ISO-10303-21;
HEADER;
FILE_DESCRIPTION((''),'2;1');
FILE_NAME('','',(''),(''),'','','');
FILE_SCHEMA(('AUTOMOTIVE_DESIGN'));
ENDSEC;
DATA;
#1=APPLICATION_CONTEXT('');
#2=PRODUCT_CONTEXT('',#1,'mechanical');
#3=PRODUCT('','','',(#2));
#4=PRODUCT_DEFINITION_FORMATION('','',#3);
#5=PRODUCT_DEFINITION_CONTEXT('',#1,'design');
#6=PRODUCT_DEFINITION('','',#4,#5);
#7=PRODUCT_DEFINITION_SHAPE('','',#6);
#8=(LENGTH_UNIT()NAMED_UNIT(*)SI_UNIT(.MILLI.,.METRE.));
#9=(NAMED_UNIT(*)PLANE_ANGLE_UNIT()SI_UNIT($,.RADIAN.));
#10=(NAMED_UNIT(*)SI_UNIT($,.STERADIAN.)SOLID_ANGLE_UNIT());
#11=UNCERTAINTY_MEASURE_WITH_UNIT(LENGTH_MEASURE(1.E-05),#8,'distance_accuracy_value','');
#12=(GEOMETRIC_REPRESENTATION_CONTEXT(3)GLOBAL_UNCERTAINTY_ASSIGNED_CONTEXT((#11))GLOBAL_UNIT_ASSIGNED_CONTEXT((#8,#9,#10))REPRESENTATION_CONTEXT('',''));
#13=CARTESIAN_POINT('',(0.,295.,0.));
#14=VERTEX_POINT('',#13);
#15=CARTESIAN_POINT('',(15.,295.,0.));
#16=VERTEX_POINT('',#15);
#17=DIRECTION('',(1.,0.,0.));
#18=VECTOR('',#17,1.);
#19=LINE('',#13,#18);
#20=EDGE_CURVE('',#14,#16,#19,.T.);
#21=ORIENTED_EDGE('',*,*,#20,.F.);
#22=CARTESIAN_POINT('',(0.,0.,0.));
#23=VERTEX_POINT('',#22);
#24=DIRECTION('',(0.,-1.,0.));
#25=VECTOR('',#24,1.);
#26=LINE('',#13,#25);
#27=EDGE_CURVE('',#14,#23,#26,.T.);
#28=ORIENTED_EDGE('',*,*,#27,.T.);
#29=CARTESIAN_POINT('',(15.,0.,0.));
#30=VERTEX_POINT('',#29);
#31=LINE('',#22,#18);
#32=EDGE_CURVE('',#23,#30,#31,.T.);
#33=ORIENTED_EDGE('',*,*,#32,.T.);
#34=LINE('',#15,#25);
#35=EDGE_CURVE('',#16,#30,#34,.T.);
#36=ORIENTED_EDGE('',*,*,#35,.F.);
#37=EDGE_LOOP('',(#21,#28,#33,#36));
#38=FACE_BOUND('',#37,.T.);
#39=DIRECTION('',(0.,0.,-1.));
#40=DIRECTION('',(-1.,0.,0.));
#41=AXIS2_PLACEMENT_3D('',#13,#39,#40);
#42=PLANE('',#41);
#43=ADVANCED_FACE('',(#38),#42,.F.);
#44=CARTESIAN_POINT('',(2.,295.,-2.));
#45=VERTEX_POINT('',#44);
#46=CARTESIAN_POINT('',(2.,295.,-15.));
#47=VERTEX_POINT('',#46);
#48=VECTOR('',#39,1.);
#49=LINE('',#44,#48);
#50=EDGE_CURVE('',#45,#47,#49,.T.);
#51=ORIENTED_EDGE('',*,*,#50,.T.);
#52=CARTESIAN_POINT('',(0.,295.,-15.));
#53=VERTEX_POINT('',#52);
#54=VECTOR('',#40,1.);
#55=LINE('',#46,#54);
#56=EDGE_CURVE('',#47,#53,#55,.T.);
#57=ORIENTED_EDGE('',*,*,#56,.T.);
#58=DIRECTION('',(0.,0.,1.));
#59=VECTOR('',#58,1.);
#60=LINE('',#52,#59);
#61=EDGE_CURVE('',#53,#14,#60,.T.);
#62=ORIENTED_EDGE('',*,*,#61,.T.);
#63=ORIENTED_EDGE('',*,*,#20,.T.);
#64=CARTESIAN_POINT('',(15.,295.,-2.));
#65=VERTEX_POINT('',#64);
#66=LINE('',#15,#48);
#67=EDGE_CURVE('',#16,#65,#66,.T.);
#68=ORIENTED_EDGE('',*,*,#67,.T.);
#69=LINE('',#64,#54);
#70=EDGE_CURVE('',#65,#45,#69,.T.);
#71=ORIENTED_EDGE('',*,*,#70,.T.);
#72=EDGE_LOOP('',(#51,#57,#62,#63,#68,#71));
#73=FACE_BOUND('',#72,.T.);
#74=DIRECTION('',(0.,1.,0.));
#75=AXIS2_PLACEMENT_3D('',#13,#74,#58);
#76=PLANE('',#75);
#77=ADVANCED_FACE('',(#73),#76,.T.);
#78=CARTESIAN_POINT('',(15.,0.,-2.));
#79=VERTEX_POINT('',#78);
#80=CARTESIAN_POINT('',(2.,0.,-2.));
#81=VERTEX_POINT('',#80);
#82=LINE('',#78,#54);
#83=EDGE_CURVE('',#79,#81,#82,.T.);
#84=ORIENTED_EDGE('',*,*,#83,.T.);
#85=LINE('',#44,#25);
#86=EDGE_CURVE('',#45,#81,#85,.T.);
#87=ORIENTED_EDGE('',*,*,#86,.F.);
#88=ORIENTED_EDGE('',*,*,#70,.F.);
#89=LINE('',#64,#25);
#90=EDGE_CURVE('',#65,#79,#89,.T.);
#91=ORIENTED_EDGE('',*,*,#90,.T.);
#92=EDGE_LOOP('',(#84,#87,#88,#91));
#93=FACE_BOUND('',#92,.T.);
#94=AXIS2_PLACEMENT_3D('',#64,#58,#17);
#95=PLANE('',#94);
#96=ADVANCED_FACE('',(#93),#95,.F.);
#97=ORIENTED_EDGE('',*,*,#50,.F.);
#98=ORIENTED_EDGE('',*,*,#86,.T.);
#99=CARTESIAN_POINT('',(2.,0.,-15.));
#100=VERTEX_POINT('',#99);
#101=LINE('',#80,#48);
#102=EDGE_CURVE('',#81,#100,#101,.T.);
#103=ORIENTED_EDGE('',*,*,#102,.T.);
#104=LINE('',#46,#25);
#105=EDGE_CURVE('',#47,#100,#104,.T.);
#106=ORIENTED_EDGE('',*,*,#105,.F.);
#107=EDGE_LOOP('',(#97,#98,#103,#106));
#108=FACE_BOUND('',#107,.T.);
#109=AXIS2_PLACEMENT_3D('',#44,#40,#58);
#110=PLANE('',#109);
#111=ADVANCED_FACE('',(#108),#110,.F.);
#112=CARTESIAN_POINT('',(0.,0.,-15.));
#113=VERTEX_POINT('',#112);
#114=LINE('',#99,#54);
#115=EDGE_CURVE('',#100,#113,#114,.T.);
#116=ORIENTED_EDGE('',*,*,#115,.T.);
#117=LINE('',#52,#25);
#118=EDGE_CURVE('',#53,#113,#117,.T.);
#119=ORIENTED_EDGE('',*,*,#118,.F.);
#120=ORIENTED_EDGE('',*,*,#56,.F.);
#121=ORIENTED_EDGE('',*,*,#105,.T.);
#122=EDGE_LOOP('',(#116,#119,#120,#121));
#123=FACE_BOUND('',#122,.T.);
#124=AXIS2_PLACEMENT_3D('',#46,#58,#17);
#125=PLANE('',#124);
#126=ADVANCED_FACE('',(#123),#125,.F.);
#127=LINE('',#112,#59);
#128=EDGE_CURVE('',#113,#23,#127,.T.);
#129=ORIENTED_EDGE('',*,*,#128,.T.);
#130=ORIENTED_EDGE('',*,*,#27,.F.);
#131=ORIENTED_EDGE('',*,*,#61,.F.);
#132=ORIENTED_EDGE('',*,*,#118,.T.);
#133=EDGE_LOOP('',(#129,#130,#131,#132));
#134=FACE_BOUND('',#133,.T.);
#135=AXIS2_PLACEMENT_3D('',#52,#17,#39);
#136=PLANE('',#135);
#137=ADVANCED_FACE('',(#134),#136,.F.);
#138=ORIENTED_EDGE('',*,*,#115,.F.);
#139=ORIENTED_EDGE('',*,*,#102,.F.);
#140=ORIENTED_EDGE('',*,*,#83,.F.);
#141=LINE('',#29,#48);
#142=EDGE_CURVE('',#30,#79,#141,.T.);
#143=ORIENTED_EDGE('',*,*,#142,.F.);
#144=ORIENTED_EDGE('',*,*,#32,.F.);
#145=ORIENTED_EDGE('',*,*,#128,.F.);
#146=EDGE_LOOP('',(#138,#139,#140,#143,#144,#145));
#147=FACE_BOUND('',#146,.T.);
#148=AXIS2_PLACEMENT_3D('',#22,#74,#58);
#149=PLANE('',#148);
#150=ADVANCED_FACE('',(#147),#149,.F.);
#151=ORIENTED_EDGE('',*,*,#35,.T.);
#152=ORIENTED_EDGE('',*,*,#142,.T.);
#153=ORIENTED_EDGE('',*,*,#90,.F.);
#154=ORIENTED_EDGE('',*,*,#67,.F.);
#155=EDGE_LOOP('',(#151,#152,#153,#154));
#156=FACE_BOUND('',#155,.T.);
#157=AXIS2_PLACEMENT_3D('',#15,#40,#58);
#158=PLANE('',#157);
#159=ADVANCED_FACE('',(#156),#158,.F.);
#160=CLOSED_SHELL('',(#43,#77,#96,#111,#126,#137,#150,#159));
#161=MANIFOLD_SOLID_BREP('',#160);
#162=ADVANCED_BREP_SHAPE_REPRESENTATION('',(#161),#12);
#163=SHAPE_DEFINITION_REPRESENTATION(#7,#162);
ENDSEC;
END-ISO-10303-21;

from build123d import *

# Parameters (mm, degrees)
AUFSATZ_LINEAR_AUSTRAGEN1_DEPTH = 295


with BuildPart() as part:
    # Skizze1 → Aufsatz-Linear austragen1 (new body)
    with BuildSketch(Plane(origin=(0, 0, 0), x_dir=(1, 0, 0), z_dir=(0, 1, 0))):
        Polygon((0, 0), (15, 0), (15, 2), (2, 2), (2, 15), (0, 15), align=None)
    extrude(amount=AUFSATZ_LINEAR_AUSTRAGEN1_DEPTH)


solid = part.part
